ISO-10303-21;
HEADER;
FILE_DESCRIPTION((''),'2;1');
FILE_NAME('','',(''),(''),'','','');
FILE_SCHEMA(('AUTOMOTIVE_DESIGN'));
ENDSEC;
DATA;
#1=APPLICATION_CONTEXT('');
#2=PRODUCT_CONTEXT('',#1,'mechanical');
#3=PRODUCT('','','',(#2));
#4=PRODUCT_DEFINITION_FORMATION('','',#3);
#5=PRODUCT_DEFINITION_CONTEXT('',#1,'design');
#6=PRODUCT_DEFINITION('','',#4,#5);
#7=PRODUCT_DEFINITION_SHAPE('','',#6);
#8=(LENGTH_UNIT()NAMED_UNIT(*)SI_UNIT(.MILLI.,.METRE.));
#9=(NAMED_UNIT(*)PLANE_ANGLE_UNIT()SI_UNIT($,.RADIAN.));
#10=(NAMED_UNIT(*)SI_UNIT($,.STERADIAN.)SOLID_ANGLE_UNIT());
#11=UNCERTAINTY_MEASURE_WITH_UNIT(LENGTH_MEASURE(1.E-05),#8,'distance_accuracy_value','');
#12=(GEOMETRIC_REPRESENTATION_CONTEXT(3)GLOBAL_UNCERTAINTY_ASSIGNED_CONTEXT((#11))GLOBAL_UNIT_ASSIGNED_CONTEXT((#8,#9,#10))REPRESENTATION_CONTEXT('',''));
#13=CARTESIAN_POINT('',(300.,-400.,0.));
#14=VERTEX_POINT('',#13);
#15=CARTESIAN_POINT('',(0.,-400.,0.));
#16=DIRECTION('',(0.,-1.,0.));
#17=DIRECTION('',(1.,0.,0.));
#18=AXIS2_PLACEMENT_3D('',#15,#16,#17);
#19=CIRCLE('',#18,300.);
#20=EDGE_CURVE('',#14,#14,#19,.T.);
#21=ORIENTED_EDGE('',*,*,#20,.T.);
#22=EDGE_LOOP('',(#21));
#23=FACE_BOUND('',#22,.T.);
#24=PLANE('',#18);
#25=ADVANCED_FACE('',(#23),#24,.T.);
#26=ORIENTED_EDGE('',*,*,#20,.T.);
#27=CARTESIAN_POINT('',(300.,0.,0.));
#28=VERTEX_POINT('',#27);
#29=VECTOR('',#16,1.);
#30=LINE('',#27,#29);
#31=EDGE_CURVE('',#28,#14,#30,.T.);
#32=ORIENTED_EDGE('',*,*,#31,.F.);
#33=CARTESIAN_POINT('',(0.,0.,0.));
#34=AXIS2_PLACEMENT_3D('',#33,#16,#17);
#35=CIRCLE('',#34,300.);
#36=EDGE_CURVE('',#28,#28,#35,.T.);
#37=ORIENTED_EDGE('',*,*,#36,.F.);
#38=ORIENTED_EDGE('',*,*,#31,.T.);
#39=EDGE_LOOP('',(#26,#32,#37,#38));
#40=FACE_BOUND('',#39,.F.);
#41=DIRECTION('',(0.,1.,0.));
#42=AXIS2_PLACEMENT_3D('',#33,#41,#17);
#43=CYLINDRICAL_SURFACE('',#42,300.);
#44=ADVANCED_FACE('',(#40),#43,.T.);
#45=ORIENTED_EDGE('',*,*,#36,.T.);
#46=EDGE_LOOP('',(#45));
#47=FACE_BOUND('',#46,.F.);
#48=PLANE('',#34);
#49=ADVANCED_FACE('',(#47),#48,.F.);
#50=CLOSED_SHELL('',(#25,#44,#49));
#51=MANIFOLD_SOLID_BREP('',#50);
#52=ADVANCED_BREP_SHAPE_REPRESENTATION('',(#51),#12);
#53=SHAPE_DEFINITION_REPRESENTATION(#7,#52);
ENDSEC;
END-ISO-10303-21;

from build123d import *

# Parameters (mm, degrees)
F1_R     = 300
F2_DEPTH = 400


with BuildPart() as f2:
    # F1 (on face) → F2 (new body)
    with BuildSketch(Plane.XZ):
        Circle(F1_R)
    extrude(amount=F2_DEPTH)


solid = f2.part
